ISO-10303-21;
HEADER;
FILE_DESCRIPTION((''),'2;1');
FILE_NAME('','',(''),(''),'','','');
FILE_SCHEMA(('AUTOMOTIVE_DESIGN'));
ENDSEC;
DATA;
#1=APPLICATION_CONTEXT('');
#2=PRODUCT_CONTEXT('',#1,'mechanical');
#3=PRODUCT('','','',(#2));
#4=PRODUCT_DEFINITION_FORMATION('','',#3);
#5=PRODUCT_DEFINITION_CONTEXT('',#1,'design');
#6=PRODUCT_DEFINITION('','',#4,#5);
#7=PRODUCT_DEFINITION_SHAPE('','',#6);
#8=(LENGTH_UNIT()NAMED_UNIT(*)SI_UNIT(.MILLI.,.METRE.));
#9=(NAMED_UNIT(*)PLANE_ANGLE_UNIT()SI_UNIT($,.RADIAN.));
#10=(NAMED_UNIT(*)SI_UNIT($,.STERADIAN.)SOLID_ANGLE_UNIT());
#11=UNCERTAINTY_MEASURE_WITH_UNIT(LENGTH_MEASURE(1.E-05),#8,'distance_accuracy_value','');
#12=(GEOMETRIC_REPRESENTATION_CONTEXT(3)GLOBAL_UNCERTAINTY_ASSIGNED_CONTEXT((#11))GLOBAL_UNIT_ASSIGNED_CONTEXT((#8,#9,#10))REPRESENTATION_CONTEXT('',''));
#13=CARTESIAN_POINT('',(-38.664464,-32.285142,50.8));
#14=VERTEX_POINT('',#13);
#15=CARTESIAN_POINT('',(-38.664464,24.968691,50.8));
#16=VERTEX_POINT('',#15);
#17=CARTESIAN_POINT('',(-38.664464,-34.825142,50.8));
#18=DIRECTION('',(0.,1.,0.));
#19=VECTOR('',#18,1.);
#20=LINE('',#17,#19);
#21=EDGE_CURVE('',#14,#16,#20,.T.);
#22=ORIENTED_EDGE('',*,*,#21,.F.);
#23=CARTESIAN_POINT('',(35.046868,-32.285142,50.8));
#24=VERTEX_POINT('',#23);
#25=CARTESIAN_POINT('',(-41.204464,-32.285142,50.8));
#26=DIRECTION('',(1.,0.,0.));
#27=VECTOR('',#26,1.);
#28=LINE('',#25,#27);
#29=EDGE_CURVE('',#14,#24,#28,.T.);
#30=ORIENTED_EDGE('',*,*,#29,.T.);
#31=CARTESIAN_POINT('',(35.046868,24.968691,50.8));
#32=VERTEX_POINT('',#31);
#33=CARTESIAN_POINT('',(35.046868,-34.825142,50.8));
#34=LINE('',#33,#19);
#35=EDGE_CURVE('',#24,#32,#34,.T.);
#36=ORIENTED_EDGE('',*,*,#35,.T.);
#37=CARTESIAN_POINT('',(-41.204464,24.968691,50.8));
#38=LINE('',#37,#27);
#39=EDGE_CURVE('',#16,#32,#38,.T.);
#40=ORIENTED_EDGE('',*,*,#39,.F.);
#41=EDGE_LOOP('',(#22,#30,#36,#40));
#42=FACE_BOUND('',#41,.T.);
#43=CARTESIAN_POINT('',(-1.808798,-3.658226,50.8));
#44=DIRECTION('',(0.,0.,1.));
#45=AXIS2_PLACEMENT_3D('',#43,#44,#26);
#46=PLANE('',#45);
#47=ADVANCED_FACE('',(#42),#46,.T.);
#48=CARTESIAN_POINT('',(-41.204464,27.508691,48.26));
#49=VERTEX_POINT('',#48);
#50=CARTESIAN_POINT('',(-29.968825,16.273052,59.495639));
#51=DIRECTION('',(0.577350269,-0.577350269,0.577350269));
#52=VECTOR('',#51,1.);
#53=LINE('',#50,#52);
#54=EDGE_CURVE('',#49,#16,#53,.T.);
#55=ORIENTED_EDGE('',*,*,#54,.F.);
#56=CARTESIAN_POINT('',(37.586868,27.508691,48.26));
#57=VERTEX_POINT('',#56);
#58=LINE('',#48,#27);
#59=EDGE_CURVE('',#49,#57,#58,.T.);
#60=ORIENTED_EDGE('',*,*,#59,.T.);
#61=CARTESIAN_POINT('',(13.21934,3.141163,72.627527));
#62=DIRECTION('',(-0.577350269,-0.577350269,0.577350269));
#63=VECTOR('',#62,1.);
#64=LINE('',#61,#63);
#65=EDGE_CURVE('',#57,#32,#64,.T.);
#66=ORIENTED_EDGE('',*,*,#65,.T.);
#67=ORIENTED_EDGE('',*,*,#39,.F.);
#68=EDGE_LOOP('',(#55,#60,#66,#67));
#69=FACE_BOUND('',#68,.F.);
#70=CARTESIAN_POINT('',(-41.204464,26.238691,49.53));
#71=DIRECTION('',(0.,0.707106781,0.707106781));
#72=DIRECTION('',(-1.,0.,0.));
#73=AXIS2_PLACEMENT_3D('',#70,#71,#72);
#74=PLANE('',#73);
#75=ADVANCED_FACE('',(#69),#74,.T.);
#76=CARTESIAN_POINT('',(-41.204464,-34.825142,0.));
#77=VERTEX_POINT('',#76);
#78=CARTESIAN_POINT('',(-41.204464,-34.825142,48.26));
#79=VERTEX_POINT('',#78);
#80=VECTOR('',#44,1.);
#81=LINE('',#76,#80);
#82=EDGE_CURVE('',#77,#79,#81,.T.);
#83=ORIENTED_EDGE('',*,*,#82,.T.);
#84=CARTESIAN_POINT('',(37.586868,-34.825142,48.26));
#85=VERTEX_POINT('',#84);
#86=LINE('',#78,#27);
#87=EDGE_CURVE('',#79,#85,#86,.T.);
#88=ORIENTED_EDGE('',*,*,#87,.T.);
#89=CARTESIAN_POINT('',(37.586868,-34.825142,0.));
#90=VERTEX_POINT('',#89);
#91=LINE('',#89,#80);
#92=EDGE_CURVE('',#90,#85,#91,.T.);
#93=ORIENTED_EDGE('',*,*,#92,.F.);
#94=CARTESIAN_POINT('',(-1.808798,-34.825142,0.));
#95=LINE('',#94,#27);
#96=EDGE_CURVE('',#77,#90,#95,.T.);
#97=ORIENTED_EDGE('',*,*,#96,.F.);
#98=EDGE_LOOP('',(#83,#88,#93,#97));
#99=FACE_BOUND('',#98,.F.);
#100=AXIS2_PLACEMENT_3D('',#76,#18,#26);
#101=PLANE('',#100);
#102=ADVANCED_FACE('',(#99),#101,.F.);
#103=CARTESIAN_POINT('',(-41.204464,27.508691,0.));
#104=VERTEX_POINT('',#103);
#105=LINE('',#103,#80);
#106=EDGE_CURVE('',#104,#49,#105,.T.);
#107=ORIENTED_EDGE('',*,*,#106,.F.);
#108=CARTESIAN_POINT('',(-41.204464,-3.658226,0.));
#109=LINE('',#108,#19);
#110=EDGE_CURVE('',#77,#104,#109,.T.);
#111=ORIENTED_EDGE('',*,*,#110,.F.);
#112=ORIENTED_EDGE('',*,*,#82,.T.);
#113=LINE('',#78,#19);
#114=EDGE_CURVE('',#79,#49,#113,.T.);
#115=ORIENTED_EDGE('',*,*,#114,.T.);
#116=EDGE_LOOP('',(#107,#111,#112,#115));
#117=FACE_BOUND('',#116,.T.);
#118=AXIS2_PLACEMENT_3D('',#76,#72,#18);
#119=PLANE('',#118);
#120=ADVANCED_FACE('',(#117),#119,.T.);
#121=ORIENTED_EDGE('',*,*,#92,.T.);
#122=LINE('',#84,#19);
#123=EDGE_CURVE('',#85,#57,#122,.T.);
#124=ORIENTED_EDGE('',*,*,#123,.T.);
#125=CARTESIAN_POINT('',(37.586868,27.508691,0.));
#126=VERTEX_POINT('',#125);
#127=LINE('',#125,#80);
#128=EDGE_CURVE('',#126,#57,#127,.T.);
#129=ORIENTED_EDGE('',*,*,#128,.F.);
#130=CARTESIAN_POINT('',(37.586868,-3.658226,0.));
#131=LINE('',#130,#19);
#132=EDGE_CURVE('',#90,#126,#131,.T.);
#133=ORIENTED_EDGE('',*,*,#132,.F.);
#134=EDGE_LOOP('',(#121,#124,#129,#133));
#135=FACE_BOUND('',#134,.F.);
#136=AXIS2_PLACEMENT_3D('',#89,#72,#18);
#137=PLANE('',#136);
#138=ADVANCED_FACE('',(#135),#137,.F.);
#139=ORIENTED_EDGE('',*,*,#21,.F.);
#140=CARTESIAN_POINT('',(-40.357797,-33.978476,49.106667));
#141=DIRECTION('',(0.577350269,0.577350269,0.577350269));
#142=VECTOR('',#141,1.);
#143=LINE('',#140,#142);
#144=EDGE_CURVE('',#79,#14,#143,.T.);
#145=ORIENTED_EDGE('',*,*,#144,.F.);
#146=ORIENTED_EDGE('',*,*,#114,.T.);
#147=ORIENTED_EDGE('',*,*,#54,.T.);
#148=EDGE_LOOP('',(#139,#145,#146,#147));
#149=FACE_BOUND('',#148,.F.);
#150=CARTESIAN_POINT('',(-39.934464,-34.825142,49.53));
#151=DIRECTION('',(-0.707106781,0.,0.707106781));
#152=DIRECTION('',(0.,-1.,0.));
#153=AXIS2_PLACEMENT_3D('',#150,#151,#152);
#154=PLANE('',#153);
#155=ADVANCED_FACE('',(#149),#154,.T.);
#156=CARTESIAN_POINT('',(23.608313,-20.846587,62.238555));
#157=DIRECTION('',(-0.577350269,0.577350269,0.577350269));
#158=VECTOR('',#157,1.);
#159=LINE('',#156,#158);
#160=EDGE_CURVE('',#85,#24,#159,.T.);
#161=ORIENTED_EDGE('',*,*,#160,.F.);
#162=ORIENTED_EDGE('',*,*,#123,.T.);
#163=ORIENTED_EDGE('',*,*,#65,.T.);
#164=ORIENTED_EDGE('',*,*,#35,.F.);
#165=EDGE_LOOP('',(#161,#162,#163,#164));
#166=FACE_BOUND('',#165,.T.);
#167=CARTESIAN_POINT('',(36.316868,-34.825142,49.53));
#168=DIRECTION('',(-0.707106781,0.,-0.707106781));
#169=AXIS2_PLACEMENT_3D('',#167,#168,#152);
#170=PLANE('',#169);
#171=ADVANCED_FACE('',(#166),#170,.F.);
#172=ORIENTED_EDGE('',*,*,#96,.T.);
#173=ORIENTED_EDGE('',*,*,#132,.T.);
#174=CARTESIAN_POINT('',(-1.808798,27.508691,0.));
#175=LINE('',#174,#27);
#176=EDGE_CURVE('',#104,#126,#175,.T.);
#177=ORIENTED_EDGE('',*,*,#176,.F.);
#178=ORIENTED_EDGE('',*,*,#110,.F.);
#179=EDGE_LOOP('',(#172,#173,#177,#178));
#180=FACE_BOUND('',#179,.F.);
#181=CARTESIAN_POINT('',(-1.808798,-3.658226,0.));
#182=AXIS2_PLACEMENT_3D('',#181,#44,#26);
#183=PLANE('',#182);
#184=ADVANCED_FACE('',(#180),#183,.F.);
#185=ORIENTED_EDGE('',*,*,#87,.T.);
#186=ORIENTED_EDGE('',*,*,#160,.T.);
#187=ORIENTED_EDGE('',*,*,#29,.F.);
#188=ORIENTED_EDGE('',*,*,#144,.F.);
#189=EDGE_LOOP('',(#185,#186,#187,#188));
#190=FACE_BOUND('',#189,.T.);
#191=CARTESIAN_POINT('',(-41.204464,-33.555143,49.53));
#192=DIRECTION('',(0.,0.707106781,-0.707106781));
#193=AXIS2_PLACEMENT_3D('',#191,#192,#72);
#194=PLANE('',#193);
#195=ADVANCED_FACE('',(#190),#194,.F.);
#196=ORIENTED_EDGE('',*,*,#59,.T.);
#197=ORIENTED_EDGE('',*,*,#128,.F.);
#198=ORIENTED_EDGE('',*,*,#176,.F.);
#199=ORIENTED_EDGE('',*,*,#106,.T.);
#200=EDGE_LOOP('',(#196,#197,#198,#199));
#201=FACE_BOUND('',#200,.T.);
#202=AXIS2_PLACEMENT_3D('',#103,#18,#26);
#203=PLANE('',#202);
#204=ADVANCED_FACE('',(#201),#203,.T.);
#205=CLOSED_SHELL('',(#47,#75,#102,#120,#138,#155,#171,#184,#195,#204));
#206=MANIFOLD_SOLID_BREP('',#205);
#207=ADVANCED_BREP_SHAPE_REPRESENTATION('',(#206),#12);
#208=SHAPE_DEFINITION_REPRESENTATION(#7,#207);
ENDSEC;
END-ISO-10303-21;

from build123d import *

# Parameters (mm, degrees)
F0_W     = 78.791332
F0_H     = 62.333833
F1_DEPTH = 50.8
F2_SIZE2 = 2.54
F2_SIZE  = 2.54


with BuildPart() as f1:
    # F0 (on Top) → F1 (new body)
    with BuildSketch(Plane.XY):
        with Locations((-1.808798, -3.658226)):
            Rectangle(F0_W, F0_H)
    extrude(amount=F1_DEPTH)

    # F2
    f2_edges = [f1.edges().sort_by_distance(p)[0] for p in [
        (-1.808798, 27.508691, 50.8),
        (-41.204464, -3.658226, 50.8),
        (-1.808798, -34.825142, 50.8),
        (37.586868, -3.658226, 50.8),
    ]]
    chamfer(f2_edges, length=F2_SIZE, length2=F2_SIZE2)


solid = f1.part
